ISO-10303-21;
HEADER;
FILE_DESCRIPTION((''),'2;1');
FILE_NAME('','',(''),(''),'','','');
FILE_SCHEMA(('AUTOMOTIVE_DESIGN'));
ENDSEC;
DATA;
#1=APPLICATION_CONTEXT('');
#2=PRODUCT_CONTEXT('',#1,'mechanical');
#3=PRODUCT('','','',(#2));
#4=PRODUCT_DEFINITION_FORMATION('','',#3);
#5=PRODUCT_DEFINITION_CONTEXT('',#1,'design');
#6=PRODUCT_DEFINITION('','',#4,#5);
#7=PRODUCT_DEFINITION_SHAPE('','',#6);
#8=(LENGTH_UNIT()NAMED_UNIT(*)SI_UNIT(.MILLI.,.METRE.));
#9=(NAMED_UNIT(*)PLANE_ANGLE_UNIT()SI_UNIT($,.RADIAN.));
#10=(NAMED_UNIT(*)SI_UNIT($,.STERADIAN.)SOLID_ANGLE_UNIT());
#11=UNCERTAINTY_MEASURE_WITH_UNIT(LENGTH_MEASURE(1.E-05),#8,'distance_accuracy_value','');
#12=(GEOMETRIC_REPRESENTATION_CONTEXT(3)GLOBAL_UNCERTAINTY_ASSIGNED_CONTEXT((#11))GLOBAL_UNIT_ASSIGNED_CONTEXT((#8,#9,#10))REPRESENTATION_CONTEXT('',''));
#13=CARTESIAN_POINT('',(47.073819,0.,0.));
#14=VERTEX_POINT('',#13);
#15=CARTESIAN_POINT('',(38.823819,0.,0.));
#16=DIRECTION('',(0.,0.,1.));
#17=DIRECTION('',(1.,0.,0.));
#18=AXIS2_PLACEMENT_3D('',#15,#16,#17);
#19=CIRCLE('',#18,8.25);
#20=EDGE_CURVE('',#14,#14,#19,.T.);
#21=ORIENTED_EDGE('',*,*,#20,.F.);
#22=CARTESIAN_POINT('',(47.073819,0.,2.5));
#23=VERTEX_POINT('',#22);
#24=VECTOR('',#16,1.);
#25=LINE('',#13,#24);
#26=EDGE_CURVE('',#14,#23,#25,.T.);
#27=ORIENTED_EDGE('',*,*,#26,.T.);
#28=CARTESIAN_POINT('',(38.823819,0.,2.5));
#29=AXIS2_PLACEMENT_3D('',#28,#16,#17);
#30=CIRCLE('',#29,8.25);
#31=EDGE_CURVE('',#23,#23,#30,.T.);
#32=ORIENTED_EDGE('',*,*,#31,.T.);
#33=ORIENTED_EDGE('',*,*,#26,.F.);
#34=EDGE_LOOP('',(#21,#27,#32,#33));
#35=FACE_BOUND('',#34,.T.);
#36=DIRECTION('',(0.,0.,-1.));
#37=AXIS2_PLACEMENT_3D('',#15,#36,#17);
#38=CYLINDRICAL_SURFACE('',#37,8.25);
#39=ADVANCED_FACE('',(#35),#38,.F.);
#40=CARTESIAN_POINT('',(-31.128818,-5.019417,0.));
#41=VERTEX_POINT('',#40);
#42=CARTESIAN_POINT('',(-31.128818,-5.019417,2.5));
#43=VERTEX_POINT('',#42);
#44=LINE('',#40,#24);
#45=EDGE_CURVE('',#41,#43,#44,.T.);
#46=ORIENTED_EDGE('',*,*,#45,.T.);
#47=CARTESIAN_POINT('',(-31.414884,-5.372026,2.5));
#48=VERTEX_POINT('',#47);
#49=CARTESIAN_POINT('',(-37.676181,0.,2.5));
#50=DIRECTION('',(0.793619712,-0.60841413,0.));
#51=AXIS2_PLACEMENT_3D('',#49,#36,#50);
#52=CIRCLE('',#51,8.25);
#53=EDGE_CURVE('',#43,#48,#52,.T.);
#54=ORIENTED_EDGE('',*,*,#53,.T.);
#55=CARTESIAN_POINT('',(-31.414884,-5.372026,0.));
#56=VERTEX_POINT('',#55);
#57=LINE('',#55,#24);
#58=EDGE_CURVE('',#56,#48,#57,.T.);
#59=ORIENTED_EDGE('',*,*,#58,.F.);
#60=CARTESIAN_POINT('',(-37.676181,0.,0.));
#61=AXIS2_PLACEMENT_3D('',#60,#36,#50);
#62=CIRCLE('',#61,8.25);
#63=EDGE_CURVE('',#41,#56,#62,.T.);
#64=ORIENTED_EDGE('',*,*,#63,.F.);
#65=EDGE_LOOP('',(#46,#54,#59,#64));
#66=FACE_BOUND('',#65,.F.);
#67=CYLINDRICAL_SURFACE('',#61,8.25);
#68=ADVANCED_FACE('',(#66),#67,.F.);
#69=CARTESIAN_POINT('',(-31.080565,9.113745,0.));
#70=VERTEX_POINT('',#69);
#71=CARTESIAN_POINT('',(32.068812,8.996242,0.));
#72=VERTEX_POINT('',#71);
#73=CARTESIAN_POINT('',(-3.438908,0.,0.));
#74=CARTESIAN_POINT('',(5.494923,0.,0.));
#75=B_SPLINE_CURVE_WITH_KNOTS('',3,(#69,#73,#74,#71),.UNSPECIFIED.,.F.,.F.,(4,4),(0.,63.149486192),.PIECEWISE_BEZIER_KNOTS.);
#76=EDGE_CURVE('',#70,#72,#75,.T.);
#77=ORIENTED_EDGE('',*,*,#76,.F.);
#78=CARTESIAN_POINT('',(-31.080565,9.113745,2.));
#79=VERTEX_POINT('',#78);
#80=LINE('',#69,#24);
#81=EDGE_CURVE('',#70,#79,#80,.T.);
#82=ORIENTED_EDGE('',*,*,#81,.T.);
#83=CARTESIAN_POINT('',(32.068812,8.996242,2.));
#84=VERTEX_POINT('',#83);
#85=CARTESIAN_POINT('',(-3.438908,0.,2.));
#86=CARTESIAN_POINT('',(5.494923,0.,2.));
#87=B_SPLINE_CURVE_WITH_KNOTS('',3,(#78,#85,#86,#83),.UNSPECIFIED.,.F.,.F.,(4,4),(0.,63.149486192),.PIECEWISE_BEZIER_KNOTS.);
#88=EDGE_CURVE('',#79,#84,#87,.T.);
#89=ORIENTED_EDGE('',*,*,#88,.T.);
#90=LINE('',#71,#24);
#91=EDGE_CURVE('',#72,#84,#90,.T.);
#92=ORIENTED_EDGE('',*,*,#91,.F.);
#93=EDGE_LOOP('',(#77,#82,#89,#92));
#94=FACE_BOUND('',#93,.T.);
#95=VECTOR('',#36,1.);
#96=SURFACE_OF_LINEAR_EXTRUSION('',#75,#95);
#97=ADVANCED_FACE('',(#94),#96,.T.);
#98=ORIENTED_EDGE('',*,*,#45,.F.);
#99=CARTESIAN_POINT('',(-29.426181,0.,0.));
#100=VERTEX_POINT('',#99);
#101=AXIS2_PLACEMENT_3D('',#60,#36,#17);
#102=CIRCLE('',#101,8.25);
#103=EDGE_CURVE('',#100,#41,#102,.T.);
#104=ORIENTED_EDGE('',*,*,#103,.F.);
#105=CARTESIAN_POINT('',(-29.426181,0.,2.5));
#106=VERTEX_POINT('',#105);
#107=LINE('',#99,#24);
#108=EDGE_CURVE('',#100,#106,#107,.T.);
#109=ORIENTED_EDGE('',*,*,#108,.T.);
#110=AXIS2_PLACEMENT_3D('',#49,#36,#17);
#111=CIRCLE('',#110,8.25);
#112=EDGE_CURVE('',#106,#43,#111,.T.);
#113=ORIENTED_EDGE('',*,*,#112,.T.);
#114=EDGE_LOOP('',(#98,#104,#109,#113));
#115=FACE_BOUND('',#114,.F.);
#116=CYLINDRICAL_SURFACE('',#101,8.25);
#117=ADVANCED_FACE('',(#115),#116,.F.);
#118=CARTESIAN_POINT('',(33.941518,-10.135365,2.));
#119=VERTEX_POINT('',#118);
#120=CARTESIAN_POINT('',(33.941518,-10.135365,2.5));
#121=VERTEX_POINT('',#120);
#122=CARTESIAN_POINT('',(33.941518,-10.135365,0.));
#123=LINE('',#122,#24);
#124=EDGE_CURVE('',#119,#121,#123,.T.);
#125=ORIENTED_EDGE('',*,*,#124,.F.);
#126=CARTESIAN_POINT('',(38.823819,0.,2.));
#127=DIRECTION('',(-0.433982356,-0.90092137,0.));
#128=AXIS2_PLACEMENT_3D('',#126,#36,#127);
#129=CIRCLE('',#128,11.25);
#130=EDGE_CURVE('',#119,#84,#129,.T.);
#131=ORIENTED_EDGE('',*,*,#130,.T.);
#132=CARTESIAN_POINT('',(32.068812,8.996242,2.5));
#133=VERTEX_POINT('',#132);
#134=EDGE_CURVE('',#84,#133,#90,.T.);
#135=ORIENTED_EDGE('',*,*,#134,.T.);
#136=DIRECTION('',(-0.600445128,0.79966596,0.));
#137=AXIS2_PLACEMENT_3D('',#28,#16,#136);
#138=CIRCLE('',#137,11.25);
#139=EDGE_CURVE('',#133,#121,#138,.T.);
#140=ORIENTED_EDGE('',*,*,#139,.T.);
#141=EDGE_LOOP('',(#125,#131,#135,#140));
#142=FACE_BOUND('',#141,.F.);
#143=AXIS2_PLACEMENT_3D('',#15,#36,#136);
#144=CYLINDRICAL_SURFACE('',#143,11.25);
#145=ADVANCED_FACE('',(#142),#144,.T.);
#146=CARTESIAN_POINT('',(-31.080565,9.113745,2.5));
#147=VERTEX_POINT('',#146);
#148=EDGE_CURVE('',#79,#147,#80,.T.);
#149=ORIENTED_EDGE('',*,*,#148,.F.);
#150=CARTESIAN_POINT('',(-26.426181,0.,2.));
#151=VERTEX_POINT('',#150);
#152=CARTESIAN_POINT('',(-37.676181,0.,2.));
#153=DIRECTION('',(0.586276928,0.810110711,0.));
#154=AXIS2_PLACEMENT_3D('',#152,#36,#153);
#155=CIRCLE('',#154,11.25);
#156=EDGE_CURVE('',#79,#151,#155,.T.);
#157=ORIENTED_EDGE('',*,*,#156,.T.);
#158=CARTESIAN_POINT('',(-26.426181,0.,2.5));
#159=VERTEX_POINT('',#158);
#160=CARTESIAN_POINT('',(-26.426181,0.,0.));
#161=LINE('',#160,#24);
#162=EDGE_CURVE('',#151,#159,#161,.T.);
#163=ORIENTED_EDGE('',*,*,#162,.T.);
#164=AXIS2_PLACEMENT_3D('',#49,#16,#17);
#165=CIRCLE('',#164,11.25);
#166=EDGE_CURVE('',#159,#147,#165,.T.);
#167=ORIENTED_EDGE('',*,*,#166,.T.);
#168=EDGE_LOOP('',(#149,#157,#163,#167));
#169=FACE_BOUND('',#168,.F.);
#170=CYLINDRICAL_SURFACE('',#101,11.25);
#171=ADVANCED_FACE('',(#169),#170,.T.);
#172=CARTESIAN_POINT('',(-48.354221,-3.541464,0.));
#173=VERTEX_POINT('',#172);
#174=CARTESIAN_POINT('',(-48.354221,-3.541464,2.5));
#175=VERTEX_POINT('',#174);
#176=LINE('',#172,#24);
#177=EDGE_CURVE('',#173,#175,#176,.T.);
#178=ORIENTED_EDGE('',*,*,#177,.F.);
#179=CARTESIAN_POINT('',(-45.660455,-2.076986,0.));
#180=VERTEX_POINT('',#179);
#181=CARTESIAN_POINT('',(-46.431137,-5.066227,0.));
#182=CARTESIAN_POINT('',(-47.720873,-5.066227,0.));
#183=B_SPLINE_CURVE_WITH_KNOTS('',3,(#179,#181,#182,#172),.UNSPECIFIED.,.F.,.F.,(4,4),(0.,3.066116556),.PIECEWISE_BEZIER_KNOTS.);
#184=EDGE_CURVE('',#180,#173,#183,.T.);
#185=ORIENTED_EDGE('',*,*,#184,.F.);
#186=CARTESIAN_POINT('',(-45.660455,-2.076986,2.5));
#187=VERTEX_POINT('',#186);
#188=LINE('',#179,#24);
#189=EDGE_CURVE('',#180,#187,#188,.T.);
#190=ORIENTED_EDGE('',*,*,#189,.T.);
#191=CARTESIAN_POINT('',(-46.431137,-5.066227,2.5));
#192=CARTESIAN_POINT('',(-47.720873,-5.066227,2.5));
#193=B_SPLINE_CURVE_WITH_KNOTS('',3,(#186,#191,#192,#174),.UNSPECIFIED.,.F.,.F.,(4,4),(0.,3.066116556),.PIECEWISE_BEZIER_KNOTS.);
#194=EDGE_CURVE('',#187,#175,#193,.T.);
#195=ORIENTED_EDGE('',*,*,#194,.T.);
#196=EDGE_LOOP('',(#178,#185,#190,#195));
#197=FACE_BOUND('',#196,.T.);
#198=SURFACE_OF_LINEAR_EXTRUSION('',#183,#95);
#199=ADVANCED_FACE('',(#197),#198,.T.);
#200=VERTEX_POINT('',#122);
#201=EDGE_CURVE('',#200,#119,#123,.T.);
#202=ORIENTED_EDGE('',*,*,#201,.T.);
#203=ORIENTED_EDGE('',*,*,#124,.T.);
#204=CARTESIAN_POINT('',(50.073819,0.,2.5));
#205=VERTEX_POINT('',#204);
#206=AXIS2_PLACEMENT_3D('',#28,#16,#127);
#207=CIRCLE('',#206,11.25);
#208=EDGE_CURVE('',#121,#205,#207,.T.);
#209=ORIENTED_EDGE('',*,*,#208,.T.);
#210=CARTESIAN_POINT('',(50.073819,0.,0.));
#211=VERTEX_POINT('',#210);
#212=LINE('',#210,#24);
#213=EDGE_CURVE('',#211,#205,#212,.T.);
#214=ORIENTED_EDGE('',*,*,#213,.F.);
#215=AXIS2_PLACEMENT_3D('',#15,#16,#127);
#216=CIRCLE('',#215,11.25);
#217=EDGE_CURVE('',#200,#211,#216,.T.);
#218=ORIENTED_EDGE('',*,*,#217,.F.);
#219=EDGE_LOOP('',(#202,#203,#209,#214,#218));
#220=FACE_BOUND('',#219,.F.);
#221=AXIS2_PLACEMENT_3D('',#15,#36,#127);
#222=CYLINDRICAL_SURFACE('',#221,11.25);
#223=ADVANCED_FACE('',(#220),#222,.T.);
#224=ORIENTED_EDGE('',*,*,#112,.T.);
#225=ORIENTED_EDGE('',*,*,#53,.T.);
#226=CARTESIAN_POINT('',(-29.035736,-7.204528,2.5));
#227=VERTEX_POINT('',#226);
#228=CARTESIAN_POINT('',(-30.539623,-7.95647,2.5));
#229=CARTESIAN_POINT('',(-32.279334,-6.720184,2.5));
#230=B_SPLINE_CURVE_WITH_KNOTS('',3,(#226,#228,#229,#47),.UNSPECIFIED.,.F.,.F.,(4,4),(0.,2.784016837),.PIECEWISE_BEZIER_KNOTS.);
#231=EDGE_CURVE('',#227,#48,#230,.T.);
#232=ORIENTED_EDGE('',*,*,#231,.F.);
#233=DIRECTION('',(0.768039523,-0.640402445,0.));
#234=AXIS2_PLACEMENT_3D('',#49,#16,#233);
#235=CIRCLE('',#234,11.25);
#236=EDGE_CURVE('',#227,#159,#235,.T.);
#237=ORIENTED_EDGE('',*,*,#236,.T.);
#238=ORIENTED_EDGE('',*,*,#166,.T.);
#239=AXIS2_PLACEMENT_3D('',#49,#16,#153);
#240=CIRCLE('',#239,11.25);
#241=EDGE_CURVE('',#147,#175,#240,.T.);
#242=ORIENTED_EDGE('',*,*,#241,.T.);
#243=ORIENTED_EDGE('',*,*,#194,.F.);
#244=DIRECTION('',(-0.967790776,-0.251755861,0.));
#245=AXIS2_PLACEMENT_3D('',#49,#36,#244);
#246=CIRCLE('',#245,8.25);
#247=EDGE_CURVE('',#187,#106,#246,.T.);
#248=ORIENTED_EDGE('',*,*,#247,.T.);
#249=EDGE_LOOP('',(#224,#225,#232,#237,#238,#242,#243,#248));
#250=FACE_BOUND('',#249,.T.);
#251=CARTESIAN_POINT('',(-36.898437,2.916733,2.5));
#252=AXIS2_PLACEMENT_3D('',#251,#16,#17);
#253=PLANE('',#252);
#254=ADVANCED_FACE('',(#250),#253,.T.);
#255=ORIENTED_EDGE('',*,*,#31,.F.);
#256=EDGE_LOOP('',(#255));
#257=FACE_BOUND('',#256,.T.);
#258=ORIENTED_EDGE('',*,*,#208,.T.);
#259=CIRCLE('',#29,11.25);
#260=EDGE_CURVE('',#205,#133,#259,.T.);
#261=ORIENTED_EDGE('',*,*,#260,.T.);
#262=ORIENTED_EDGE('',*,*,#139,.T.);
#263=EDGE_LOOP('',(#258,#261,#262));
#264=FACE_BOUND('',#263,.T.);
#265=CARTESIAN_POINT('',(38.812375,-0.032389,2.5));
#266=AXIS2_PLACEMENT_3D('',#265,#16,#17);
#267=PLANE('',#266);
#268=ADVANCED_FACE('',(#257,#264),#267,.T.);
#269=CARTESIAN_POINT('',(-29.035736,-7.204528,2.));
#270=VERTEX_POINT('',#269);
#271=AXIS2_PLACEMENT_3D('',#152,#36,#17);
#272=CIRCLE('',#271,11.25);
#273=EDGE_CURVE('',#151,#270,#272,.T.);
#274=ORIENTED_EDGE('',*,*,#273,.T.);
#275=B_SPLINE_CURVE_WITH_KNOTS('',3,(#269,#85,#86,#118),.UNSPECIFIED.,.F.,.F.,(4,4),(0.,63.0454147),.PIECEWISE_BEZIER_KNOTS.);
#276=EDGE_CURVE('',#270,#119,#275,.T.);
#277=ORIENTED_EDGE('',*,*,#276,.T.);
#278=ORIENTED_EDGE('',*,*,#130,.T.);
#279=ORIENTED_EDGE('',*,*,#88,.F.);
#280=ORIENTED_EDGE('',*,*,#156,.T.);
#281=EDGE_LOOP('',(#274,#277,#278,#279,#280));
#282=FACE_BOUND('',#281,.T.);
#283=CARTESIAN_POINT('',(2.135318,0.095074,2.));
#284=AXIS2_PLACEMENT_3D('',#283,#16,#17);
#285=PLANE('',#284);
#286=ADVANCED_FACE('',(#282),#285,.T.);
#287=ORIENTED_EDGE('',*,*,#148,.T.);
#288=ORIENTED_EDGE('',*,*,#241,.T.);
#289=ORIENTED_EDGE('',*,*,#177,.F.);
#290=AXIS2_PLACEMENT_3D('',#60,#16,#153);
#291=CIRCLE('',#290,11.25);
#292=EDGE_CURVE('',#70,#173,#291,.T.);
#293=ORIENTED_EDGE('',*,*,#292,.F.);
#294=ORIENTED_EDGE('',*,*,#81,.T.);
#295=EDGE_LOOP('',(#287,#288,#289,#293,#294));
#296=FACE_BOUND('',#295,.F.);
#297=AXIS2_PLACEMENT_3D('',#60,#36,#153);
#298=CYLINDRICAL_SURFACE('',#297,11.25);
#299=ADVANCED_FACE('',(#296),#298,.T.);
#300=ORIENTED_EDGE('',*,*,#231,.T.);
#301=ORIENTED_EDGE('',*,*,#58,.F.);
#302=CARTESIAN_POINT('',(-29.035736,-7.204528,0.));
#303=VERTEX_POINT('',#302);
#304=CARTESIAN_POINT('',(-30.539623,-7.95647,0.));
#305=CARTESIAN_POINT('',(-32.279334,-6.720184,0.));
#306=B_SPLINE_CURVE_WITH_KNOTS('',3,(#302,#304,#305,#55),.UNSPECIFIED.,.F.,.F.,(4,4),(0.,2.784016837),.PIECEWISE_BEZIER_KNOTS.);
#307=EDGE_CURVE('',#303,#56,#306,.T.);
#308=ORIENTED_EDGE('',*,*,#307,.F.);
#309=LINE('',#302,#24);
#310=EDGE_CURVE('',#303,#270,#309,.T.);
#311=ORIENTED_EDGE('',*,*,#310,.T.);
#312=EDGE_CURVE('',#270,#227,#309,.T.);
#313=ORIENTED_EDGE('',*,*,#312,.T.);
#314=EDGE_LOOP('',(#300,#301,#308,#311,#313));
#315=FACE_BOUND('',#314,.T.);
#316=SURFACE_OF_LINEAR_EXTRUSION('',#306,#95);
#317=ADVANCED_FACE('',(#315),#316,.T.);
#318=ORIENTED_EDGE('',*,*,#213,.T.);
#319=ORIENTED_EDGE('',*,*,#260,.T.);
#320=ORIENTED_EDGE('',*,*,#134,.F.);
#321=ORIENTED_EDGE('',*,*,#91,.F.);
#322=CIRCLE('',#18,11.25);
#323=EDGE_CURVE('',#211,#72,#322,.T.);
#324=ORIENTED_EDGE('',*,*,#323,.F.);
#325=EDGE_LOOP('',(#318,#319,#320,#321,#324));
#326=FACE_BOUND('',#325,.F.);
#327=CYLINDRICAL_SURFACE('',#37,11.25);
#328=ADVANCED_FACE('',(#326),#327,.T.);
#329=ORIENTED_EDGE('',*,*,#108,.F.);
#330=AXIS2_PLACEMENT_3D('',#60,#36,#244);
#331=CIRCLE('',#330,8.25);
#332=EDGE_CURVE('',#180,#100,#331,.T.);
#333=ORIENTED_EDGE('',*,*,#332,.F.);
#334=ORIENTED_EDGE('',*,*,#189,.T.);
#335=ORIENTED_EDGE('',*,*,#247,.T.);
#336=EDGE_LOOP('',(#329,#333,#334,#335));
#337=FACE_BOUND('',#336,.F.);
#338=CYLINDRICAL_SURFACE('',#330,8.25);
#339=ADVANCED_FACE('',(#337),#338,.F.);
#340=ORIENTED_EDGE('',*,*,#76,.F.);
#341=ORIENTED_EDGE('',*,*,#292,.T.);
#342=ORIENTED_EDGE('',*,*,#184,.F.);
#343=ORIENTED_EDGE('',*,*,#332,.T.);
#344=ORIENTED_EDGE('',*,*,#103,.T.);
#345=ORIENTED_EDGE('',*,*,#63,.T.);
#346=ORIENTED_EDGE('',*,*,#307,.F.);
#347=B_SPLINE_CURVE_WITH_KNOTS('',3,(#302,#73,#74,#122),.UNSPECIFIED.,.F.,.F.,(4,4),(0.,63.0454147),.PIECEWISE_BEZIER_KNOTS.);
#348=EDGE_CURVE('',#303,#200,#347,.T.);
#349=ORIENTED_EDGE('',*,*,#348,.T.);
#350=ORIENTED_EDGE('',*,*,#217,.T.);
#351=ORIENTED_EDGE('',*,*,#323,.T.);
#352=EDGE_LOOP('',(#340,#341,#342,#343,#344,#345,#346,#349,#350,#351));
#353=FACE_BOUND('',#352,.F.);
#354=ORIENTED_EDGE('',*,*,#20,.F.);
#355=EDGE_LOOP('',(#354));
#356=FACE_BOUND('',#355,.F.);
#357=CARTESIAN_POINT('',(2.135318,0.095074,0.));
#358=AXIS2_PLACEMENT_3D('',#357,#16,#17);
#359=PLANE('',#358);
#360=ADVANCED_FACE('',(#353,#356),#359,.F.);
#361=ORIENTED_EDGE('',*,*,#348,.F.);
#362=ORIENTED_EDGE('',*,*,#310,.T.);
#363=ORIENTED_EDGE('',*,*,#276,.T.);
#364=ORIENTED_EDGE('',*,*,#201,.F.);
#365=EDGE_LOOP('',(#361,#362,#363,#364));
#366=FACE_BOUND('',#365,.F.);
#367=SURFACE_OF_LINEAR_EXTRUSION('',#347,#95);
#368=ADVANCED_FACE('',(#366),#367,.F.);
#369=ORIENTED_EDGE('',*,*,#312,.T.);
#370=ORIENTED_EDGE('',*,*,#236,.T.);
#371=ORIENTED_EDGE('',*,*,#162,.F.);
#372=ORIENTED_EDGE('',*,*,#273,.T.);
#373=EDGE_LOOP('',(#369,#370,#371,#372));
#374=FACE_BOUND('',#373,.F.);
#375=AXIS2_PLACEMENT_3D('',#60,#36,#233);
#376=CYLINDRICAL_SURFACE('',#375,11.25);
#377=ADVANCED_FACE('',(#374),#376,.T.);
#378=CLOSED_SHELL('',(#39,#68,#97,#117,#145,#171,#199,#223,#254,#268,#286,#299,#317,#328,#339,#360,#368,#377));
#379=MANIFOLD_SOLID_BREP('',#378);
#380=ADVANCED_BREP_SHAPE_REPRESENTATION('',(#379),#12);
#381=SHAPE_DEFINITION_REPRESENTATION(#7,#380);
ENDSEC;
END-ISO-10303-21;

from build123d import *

# Parameters (mm, degrees)
F0_R     = 8.25
F1_DEPTH = 2.5
F2_DEPTH = 2


with BuildPart() as f1:
    # F0 (on Top) → F1 (new body)
    with BuildSketch(Plane.XY):
        with BuildLine():
            ThreePointArc((32.0688115177, 8.9962420553), (27.6273312583, -1.0959733646), (33.9415177003, -10.1353654102))
            ThreePointArc((33.9415177003, -10.1353654102), (44.8086587224, -9.5259748044), (50.073819207, 0))
            ThreePointArc((50.073819207, 0), (43.8521719937, 10.0637054931), (32.0688115177, 8.9962420553))
        make_face()
        with Locations((38.823819207, 0)):
            Circle(F0_R, mode=Mode.SUBTRACT)
    extrude(amount=F1_DEPTH)



with BuildPart() as f1b:
    # F0 (on Top) → F1, piece 2 (new body)
    with BuildSketch(Plane.XY):
        with BuildLine():
            ThreePointArc((-45.6604546957, -2.0769858561), (-38.7231383621, 8.1832988366), (-29.426180793, 0))
            ThreePointArc((-29.426180793, 0), (-29.8634270645, -2.6501658772), (-31.1288181692, -5.0194165669))
            ThreePointArc((-31.1288181692, -5.0194165669), (-31.2694247122, -5.1976895367), (-31.4148838182, -5.3720257066))
            add(Edge.make_bspline(
                [(-29.035736161, -7.2045275043), (-30.5396230029, -7.95646964), (-32.2793337143, -6.7201835537), (-31.4148838182, -5.3720257066)],
                knots=[0, 0, 0, 0, 2.7840168374, 2.7840168374, 2.7840168374, 2.7840168374], degree=3))
            ThreePointArc((-29.035736161, -7.2045275043), (-27.0986692211, -3.8312855473), (-26.426180793, 0))
            ThreePointArc((-26.426180793, 0), (-27.6571196172, 5.1167287553), (-31.080565354, 9.1137454968))
            ThreePointArc((-31.080565354, 9.1137454968), (-44.3248746058, 9.0750961749), (-48.354220505, -3.5414640914))
            add(Edge.make_bspline(
                [(-45.6604546957, -2.0769858561), (-46.4311366211, -5.0662274962), (-47.7208728718, -5.0662274962), (-48.354220505, -3.5414640914)],
                knots=[0, 0, 0, 0, 3.0661165562, 3.0661165562, 3.0661165562, 3.0661165562], degree=3))
        make_face()
    extrude(amount=F1_DEPTH)


with BuildPart() as f1_1:
    add(f1.part)

    add(f1b.part)  # F2 merges F1b
    # F0 (on Top) → F2 (join)
    with BuildSketch(Plane.XY):
        with BuildLine():
            ThreePointArc((-26.426180793, 0), (-27.0986692211, -3.8312855473), (-29.035736161, -7.2045275043))
            add(Edge.make_bspline(
                [(-29.035736161, -7.2045275043), (-3.4389084727, 0), (5.4949232749, 0), (33.9415177003, -10.1353654102)],
                knots=[0, 0, 0, 0, 63.0454147004, 63.0454147004, 63.0454147004, 63.0454147004], degree=3))
            ThreePointArc((33.9415177003, -10.1353654102), (27.6273312583, -1.0959733646), (32.0688115177, 8.9962420553))
            add(Edge.make_bspline(
                [(-31.080565354, 9.1137454968), (-3.4389084727, 0), (5.4949232749, 0), (32.0688115177, 8.9962420553)],
                knots=[0, 0, 0, 0, 63.1494861922, 63.1494861922, 63.1494861922, 63.1494861922], degree=3))
            ThreePointArc((-31.080565354, 9.1137454968), (-27.6571196172, 5.1167287553), (-26.426180793, 0))
        make_face()
    extrude(amount=F2_DEPTH)


solid = f1_1.part
